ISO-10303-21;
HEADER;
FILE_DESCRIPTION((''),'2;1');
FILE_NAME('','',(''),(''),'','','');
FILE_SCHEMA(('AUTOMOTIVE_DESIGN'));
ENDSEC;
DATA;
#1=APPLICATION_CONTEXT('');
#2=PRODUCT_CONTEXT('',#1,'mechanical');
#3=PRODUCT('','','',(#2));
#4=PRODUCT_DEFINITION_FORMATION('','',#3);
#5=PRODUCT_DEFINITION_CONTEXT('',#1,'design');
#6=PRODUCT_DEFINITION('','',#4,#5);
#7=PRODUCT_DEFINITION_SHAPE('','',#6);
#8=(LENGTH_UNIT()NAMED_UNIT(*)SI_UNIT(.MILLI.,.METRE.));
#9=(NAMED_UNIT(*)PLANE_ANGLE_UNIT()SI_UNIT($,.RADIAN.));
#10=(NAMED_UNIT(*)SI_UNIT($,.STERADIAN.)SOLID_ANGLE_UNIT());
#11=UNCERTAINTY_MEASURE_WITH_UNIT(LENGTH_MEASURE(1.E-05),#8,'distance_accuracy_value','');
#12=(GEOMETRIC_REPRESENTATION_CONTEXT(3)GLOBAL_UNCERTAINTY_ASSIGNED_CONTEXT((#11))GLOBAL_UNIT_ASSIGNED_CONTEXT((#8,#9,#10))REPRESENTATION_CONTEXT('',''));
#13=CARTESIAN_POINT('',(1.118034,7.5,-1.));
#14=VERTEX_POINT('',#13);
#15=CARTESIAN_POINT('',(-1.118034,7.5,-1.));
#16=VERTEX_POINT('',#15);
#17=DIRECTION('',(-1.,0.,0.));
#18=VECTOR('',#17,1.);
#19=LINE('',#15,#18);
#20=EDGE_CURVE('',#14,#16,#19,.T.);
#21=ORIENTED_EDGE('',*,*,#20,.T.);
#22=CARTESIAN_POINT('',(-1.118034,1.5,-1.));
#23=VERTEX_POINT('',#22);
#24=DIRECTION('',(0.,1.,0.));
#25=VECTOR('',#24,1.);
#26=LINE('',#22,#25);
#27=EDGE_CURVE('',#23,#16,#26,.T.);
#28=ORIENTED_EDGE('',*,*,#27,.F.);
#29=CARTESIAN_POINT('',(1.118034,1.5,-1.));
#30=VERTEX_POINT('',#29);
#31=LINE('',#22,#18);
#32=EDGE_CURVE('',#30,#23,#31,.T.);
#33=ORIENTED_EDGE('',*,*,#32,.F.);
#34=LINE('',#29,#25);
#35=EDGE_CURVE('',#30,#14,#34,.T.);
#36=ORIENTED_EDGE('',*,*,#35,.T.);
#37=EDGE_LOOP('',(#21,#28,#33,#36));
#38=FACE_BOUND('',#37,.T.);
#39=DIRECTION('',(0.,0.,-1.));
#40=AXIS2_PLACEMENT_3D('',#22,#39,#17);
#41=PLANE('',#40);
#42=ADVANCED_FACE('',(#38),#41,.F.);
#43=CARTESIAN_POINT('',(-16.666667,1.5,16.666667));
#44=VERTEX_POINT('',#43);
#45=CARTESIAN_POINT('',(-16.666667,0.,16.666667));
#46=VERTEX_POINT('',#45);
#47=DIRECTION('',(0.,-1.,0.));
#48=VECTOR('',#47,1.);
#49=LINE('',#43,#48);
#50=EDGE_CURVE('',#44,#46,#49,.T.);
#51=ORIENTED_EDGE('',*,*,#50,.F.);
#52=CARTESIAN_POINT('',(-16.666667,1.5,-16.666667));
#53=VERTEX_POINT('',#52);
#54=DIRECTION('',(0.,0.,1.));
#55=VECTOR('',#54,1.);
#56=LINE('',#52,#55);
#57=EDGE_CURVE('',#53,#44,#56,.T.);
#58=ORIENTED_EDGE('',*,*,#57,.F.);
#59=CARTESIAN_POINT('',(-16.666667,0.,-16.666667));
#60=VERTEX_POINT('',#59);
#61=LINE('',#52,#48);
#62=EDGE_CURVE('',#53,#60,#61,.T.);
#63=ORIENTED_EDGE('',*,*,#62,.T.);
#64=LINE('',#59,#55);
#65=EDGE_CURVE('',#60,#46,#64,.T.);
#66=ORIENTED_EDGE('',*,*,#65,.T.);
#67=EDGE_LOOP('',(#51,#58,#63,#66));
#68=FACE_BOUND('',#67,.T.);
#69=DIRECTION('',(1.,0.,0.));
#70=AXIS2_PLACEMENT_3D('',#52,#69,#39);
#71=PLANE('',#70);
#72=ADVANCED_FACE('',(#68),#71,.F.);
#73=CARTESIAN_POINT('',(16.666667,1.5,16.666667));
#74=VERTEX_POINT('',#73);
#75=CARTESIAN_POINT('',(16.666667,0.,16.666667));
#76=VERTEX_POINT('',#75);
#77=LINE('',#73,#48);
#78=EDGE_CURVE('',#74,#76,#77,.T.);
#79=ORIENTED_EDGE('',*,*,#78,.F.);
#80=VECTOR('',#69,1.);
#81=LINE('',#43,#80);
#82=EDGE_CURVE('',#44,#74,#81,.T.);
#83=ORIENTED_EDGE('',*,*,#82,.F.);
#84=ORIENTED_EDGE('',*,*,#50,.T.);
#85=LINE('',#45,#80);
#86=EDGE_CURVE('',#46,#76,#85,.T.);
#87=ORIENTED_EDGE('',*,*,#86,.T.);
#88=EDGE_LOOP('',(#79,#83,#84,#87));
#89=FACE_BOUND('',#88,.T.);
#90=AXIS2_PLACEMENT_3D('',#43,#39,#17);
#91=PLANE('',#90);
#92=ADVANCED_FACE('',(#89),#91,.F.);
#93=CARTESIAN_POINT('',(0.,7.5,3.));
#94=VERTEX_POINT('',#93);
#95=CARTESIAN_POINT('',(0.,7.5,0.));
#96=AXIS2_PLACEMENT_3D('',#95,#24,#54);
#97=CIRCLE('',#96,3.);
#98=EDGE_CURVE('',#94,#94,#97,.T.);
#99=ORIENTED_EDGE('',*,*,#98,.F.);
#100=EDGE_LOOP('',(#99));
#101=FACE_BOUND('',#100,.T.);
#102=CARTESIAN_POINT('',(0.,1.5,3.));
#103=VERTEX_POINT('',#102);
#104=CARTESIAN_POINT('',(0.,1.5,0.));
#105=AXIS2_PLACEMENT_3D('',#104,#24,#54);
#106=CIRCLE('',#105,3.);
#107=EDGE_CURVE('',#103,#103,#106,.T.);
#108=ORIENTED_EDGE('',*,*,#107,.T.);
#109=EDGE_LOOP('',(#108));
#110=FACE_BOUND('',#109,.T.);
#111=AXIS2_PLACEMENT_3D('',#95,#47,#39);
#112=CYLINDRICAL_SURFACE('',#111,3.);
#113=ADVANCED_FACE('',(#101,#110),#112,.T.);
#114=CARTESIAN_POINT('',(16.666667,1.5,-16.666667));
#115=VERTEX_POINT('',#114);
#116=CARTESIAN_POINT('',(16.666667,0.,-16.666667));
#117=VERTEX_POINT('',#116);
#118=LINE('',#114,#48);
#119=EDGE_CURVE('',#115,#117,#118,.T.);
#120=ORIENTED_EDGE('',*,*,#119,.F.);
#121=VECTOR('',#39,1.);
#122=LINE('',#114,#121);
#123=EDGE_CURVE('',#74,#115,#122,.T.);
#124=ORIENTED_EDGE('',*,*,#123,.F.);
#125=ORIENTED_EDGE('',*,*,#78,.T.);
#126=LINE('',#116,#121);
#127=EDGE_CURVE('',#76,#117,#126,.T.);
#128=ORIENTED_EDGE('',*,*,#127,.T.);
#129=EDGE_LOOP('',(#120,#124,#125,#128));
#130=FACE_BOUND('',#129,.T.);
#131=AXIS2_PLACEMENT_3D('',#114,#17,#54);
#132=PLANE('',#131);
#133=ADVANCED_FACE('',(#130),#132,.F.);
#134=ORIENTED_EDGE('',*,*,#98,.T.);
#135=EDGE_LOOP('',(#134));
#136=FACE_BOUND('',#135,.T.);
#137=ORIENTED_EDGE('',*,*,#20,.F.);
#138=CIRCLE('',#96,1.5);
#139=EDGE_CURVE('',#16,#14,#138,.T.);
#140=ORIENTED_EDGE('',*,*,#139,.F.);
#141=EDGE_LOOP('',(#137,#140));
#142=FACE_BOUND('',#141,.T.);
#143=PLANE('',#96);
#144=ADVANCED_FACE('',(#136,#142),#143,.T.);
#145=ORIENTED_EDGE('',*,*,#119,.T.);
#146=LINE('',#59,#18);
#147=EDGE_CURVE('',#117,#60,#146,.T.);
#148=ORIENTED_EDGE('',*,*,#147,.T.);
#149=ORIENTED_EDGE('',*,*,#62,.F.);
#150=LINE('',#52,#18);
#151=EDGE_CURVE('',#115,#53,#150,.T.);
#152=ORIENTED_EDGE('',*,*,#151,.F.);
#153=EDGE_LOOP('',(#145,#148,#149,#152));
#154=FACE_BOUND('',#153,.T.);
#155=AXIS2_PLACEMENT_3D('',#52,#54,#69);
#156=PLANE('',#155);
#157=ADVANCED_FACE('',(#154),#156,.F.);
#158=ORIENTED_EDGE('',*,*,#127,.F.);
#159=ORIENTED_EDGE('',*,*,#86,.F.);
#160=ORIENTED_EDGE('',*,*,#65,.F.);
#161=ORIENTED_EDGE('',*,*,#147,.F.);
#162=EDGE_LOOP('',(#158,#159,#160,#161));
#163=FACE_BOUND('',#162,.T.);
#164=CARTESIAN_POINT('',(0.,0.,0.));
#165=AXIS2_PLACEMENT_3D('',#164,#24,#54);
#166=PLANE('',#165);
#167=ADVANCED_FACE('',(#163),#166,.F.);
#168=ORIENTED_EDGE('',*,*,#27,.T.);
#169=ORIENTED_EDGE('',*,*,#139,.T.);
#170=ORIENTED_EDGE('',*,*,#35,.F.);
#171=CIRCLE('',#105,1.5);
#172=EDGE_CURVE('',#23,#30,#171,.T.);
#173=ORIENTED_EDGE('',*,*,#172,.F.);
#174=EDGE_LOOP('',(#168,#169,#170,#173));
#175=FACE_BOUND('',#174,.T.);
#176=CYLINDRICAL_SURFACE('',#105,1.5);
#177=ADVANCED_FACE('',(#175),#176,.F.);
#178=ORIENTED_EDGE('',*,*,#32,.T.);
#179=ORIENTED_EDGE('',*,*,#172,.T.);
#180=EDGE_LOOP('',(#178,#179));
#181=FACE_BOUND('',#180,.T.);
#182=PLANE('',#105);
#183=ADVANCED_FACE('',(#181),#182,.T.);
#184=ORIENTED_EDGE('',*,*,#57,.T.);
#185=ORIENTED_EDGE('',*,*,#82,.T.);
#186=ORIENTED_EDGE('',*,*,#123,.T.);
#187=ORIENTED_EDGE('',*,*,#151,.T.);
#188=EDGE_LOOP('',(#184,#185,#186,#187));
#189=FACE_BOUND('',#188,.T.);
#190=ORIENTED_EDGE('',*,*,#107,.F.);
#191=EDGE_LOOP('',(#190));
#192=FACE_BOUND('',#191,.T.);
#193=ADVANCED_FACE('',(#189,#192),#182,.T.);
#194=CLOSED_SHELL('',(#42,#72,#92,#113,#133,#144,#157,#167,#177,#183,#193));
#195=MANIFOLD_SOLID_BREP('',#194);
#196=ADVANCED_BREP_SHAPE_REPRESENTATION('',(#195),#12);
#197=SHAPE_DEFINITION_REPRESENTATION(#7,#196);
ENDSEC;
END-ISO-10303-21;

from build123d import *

# Parameters (mm, degrees)
SKETCH_1_W          = 33.333333334
SKETCH_1_H          = 33.333333334
EXTRUDE_1_DEPTH     = 1.5
SKETCH_2_R          = 3
EXTRUDE_2_DEPTH     = 6
CUT_EXTRUDE_1_DEPTH = 6


with BuildPart() as part:
    # 草图1 → 凸台-拉伸1 (new body)
    with BuildSketch(Plane(origin=(0, 0, 0), x_dir=(1, 0, 0), z_dir=(0, 1, 0))):
        Rectangle(SKETCH_1_W, SKETCH_1_H)
    extrude(amount=EXTRUDE_1_DEPTH)

    # 草图2 → 凸台-拉伸2 (add)
    with BuildSketch(Plane(origin=(0, 1.5, 0), x_dir=(1, 0, 0), z_dir=(0, 1, 0))):
        with Locations(Location((0, 0, 0), (0, 0, 270))):
            Circle(SKETCH_2_R)
    extrude(amount=EXTRUDE_2_DEPTH)

    # 草图3 → 切除-拉伸1 (cut)
    with BuildSketch(Plane(origin=(0, 7.5, 0), x_dir=(1, 0, 0), z_dir=(0, 1, 0))):
        with BuildLine():
            Line((-1.118033989, 1), (1.118033989, 1))
            ThreePointArc((1.118033989, 1), (0, -1.5), (-1.118033989, 1))
        make_face()
    extrude(amount=-CUT_EXTRUDE_1_DEPTH, mode=Mode.SUBTRACT)


solid = part.part
